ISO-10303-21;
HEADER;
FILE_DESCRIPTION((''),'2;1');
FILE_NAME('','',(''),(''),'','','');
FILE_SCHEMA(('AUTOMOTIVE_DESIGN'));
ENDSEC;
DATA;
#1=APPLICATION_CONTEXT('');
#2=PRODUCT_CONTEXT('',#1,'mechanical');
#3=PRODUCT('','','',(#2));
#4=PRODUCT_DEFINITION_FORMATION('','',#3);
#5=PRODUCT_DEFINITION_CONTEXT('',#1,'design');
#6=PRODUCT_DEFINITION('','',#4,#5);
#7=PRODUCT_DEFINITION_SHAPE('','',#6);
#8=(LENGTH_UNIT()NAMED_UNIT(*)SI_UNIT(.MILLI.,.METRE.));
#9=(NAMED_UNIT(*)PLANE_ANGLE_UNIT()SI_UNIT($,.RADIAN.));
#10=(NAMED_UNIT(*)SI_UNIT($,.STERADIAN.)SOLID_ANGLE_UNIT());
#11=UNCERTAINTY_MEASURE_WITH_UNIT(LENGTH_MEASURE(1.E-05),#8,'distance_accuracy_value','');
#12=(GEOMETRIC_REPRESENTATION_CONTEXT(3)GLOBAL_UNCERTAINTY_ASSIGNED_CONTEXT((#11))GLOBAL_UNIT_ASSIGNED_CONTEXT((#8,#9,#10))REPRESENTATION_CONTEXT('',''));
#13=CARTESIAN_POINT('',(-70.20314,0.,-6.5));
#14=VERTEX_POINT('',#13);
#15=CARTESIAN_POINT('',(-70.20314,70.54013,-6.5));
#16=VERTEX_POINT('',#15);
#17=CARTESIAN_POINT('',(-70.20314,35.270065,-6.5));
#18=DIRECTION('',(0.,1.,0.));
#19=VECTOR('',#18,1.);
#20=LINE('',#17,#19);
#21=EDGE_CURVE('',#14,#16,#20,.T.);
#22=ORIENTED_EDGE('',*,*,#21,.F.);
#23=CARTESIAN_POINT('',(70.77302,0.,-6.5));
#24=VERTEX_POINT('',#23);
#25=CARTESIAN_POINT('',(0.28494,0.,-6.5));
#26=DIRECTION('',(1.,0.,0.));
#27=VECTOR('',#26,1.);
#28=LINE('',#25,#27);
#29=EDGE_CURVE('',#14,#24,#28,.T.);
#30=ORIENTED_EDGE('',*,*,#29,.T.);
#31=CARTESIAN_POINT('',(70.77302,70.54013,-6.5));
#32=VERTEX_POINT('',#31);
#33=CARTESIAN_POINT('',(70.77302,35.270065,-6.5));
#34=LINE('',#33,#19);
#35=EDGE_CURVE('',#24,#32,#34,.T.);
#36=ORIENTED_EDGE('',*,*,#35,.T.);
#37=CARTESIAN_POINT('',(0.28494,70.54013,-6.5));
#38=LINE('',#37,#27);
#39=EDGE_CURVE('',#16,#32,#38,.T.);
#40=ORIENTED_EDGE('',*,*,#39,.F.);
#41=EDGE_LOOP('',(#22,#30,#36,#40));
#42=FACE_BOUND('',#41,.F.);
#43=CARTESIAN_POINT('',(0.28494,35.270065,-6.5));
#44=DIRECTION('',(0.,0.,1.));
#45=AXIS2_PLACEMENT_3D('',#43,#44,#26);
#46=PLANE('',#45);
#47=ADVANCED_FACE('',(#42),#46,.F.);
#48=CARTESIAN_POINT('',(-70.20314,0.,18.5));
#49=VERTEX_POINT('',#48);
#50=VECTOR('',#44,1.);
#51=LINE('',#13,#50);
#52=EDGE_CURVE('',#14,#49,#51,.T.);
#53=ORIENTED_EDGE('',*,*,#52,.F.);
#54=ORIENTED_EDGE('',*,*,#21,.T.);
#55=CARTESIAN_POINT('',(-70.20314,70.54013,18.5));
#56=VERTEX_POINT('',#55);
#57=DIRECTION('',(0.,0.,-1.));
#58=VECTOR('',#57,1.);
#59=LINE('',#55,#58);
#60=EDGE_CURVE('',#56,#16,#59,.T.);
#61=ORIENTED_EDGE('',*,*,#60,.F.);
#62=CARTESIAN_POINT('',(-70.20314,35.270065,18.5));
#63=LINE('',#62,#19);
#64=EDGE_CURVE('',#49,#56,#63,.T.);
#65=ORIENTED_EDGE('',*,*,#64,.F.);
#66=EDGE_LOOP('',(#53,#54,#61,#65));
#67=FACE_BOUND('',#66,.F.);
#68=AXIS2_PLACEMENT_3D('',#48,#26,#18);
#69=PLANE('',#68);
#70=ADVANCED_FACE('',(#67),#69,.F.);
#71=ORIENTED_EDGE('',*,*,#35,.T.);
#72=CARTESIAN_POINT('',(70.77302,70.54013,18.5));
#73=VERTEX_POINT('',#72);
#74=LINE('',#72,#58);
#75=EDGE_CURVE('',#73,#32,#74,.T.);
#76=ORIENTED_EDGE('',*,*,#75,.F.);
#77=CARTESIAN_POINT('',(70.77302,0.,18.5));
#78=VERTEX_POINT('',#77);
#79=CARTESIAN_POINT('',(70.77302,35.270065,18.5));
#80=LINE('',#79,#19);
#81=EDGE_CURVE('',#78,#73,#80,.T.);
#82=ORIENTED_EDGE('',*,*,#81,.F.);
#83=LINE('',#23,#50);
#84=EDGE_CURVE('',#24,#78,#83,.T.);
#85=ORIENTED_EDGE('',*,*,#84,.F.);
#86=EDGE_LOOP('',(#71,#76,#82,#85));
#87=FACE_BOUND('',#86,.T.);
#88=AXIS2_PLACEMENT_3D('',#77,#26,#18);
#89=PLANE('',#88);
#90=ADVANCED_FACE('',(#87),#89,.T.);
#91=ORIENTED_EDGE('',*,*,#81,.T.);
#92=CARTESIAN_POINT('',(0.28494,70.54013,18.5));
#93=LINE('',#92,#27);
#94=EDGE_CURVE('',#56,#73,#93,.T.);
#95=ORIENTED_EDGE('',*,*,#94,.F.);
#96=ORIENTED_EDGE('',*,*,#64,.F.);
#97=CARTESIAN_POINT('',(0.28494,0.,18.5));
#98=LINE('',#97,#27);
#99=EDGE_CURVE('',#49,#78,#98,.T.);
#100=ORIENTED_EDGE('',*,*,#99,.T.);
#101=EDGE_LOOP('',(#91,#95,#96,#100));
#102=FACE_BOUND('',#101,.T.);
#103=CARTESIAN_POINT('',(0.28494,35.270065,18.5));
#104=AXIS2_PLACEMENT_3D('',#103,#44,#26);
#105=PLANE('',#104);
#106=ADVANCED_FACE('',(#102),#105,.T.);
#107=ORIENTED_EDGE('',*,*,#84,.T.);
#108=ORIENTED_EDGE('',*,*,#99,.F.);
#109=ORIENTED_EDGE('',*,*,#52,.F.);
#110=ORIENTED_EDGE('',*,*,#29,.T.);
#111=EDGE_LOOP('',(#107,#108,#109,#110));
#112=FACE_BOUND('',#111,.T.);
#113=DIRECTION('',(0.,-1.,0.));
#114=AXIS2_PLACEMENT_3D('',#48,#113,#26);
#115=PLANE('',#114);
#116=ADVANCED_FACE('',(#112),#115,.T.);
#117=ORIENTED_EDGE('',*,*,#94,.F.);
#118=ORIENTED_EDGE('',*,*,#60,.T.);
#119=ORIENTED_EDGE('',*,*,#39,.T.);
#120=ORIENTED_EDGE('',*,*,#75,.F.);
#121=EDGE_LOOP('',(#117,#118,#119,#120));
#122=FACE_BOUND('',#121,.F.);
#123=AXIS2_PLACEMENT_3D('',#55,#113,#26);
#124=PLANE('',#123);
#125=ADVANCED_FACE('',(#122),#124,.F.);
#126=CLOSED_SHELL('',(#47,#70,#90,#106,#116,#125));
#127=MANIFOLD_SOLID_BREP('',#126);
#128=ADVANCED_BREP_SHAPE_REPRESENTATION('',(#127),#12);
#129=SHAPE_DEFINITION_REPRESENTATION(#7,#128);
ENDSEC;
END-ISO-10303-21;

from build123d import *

# Parameters (mm, degrees)
F0_W     = 140.9761607647
F0_H     = 70.5401301384
F1_DEPTH = 10
F2_DEPTH = 8.5
F3_DEPTH = 25


with BuildPart() as f1:
    # F0 (on Top) → F1 (new body)
    with BuildSketch(Plane.XY):
        with Locations((0.2849400043, 35.2700650692)):
            Rectangle(F0_W, F0_H)
    extrude(amount=F1_DEPTH)

    # F2 (add): a face of the model
    f2_faces = [f1.faces().sort_by_distance(p)[0] for p in [
        (0.2849400043, 35.2700650692, 10),
    ]]
    extrude(f2_faces, amount=F2_DEPTH)

    # F3 (add): a face of the model
    f3_faces = [f1.faces().sort_by_distance(p)[0] for p in [
        (0.2849400043, 35.2700650692, 18.5),
    ]]
    extrude(f3_faces, amount=-F3_DEPTH)


solid = f1.part
